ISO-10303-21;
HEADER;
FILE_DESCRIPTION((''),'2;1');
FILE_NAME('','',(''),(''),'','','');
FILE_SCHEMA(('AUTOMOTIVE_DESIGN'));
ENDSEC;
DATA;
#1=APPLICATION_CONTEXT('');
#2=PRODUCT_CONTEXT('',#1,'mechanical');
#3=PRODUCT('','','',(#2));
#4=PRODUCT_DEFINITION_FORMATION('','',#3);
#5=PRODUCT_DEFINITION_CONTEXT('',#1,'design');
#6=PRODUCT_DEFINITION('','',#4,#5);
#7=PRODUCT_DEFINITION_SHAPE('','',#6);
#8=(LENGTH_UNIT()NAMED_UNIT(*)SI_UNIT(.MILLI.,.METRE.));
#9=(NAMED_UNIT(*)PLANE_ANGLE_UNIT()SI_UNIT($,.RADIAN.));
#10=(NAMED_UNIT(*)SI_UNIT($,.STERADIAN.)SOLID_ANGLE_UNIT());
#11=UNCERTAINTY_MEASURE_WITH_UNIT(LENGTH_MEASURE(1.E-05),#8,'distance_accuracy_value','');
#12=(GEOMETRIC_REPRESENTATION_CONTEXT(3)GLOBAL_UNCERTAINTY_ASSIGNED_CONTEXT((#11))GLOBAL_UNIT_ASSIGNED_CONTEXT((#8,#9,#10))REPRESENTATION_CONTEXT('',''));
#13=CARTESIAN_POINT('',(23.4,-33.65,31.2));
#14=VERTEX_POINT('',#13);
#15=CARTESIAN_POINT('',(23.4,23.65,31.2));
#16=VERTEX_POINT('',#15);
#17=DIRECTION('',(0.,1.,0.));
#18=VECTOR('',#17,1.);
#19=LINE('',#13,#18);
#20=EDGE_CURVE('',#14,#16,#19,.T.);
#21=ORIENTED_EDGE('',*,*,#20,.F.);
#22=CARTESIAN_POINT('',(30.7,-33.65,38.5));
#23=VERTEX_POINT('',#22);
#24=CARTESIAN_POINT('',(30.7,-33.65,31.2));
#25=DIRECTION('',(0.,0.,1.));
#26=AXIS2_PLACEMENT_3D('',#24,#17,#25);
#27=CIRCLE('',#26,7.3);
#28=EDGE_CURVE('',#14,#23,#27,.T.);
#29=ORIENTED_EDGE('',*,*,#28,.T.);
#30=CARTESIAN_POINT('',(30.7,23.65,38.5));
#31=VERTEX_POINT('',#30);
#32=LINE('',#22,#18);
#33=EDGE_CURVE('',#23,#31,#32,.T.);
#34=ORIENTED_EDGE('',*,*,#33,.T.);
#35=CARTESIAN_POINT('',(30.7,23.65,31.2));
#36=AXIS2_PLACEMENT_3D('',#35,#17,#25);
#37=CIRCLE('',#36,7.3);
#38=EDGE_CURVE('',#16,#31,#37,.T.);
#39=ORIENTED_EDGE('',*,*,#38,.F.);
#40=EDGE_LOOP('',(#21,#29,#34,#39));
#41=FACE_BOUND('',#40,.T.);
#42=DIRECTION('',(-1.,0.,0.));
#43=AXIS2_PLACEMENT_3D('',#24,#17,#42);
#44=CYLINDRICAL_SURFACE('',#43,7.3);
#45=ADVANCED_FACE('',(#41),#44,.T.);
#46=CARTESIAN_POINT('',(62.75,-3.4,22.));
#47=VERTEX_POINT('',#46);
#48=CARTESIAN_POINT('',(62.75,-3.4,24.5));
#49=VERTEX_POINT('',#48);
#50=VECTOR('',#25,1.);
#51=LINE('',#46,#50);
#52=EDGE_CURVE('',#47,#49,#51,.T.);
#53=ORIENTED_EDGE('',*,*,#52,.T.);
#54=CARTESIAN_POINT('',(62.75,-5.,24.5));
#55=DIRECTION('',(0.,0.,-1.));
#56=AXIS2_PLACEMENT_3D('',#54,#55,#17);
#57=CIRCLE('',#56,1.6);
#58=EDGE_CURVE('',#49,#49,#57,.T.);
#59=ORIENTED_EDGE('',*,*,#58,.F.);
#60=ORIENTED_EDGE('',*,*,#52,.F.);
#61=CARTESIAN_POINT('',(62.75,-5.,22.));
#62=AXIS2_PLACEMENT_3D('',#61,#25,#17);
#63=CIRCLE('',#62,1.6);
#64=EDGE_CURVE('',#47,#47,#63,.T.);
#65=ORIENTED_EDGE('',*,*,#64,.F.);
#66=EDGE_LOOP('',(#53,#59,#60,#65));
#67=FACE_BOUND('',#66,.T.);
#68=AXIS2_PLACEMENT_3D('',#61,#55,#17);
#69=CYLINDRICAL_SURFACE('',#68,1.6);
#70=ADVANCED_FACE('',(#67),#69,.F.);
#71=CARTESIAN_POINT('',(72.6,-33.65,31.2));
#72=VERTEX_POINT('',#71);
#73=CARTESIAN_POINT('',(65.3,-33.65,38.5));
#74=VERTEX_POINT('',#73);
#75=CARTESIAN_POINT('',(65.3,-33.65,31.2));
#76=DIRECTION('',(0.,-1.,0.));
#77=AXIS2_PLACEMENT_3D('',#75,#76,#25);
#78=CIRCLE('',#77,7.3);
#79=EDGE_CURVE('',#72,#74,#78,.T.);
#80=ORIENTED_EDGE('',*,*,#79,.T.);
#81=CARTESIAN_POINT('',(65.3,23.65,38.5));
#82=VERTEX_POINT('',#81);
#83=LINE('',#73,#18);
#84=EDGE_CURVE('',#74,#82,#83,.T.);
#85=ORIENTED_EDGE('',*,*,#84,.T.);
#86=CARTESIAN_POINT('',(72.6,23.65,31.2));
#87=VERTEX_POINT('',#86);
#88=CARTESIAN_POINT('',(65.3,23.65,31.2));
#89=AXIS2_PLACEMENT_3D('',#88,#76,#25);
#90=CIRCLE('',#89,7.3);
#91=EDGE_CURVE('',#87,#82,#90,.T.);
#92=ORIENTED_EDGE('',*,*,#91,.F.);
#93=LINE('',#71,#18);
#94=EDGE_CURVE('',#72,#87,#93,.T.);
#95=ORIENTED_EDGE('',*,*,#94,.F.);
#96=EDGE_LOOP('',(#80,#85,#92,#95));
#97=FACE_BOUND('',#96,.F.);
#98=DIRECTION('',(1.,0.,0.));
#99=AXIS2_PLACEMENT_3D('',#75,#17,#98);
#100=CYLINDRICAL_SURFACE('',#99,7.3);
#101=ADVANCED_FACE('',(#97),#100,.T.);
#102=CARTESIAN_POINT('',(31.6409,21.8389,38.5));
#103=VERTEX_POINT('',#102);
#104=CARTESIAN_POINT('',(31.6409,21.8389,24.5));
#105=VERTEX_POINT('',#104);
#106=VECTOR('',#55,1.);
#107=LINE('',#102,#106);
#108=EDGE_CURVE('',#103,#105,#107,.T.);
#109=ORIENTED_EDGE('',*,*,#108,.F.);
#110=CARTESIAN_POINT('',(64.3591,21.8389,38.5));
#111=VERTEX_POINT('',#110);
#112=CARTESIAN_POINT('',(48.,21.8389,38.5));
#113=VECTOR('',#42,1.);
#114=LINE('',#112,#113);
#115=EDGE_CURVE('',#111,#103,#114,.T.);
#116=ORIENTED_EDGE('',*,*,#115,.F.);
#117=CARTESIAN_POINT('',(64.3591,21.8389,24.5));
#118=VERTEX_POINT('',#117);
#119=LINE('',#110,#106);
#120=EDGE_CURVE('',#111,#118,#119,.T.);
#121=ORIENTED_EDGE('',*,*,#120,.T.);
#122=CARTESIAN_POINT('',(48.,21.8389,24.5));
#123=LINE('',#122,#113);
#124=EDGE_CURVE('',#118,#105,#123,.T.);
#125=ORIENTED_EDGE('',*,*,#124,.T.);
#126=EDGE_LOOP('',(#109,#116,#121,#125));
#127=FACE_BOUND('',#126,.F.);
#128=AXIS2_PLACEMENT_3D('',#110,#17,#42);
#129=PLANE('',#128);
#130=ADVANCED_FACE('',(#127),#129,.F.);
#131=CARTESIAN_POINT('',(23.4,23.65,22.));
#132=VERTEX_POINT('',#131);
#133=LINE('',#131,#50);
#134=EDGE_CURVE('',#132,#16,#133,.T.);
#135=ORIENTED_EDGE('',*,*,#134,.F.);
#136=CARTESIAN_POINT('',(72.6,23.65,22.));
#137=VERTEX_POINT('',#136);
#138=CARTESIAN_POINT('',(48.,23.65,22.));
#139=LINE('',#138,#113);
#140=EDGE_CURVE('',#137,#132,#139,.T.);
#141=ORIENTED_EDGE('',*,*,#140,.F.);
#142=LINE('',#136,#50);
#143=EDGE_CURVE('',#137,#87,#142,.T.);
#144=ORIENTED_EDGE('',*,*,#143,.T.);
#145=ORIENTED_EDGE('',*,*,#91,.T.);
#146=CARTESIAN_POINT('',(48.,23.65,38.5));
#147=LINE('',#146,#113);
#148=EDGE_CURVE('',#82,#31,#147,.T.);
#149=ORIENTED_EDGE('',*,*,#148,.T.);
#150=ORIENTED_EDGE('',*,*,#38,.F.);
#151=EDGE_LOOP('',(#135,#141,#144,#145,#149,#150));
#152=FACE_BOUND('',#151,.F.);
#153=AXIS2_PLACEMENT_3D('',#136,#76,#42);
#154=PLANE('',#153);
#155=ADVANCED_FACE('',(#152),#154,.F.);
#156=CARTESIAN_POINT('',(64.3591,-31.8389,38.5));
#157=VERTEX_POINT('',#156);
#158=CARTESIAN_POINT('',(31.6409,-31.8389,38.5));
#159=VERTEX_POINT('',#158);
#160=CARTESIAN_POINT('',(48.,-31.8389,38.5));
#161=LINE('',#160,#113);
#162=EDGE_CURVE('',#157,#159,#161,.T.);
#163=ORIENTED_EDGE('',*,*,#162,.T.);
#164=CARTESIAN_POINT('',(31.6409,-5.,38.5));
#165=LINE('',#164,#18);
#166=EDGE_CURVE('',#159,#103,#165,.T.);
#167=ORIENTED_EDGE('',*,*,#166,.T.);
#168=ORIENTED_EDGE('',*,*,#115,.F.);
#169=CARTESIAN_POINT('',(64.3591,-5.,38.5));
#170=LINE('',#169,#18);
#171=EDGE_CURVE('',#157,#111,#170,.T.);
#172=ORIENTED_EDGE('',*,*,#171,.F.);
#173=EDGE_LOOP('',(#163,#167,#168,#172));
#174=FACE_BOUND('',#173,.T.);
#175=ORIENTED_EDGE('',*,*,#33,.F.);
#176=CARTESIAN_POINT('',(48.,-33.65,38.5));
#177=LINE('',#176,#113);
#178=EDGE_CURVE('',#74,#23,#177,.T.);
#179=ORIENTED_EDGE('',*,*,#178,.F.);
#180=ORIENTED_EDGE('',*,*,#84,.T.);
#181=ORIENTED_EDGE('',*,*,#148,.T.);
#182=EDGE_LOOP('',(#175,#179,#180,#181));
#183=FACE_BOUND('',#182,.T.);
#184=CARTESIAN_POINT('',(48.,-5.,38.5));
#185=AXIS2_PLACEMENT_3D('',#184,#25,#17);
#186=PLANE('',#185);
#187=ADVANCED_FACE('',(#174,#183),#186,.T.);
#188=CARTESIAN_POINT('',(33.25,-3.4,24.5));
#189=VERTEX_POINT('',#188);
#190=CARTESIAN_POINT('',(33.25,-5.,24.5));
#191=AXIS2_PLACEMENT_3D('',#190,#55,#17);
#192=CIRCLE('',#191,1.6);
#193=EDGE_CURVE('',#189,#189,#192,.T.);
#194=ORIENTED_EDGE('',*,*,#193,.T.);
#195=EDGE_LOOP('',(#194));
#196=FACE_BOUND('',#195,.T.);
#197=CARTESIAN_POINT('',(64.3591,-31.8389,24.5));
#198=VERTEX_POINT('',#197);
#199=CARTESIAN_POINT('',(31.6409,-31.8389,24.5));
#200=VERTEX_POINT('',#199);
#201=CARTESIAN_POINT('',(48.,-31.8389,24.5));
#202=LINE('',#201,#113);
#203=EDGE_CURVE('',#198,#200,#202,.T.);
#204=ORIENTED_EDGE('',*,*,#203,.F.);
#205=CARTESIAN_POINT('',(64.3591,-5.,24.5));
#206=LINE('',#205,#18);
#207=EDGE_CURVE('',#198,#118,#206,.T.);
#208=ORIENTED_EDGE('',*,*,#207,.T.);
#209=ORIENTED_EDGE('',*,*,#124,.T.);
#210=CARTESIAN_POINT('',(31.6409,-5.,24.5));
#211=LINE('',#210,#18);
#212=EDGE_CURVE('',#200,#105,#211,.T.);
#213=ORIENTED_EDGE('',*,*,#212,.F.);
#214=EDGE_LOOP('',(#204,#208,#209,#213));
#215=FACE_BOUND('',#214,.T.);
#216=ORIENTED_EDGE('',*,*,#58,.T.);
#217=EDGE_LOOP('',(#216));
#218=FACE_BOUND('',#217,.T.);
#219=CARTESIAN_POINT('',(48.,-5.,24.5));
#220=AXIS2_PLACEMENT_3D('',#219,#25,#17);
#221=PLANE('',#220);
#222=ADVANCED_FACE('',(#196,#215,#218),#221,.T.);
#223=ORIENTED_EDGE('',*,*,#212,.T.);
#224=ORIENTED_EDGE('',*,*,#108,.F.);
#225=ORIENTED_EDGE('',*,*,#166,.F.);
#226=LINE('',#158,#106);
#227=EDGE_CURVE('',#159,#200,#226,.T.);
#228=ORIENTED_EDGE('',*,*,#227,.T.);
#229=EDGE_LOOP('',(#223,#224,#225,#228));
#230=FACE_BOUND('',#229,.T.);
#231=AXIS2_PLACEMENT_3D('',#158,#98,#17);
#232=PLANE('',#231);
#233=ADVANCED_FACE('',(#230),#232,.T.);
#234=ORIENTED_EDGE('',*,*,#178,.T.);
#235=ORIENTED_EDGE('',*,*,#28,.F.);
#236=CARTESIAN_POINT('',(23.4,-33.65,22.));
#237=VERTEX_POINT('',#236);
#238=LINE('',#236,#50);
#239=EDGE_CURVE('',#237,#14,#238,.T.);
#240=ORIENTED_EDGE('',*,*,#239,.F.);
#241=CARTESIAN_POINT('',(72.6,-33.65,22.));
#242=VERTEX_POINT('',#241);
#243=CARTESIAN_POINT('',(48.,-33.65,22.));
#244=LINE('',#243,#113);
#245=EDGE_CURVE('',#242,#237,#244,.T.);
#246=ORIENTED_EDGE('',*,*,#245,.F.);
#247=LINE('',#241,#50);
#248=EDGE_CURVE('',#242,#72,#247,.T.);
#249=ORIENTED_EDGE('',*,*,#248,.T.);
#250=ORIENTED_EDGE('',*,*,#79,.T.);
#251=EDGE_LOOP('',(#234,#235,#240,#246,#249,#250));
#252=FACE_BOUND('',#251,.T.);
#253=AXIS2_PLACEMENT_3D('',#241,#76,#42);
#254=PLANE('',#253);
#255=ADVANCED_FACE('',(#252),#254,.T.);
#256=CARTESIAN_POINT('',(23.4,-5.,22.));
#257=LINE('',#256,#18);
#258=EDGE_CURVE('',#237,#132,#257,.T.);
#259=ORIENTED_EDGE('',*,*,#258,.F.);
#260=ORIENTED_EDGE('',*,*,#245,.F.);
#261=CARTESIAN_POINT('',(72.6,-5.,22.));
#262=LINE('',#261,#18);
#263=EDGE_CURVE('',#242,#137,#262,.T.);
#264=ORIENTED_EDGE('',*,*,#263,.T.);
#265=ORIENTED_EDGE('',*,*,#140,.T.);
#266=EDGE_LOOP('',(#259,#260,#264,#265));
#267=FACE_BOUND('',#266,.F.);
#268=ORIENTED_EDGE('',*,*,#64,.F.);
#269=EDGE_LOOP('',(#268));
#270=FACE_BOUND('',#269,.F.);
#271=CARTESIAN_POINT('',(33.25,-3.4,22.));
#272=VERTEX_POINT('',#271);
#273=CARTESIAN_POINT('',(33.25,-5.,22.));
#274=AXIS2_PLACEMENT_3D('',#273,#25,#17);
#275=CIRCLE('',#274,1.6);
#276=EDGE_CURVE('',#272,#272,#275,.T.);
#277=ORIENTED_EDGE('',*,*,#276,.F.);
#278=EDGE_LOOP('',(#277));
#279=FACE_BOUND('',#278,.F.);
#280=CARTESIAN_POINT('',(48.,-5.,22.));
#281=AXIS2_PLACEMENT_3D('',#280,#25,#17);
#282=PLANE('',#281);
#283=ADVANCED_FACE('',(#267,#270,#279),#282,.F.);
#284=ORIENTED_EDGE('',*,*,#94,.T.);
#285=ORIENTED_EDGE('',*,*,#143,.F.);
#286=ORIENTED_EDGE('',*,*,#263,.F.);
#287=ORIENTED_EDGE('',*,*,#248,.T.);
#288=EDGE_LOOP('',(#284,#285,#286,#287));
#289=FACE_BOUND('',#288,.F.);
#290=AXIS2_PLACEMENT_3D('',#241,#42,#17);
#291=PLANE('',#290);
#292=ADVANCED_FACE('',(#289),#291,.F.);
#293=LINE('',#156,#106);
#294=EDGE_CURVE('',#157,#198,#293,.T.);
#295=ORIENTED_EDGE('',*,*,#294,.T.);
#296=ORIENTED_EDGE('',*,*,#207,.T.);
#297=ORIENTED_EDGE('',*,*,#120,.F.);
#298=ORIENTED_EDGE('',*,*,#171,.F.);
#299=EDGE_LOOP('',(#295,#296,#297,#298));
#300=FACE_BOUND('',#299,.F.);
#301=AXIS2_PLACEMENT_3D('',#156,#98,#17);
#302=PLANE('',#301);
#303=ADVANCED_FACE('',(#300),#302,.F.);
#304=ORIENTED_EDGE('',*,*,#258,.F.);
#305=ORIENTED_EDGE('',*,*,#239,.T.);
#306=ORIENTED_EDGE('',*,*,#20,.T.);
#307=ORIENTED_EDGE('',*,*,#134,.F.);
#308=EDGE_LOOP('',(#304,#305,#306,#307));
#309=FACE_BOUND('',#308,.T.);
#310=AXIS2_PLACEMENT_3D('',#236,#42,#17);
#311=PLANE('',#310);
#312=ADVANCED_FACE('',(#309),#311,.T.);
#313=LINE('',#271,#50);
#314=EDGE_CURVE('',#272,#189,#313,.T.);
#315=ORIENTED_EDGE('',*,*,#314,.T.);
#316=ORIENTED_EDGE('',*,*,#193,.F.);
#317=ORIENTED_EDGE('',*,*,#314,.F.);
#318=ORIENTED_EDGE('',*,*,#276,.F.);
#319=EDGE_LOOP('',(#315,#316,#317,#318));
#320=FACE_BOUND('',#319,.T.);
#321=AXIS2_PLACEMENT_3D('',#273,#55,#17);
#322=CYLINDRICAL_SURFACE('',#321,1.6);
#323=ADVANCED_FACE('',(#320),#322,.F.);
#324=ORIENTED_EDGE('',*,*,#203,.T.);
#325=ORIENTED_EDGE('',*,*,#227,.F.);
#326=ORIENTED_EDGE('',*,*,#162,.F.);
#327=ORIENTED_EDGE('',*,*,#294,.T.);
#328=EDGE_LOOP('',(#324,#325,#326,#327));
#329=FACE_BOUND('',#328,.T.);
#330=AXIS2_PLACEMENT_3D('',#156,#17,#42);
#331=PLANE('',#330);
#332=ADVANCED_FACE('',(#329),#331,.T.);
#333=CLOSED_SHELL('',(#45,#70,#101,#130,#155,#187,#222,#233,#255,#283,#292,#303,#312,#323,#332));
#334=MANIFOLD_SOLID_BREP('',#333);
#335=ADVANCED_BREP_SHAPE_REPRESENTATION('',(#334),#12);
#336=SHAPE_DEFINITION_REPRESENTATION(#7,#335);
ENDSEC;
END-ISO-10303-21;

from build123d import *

# Parameters (mm, degrees)
SKETCH026_W           = 57.3
SKETCH026_H           = 49.2
SKETCH026_R           = 1.6
PAD010002001016_DEPTH = 16.5
FILLET004_R           = 7.3
SKETCH028_W           = 53.6778
SKETCH028_H           = 32.7182
POCKET001_DEPTH       = 14


with BuildPart() as part:
    # Sketch026 → Pad010002001016 (new body)
    with BuildSketch(Plane(origin=(48, -5, 22), x_dir=(0, 1, 0), z_dir=(0, 0, 1))):
        Rectangle(SKETCH026_W, SKETCH026_H)
        with Locations((0, 14.75)):
            Circle(SKETCH026_R, mode=Mode.SUBTRACT)
        with Locations((0, -14.75)):
            Circle(SKETCH026_R, mode=Mode.SUBTRACT)
    extrude(amount=PAD010002001016_DEPTH)

    # Fillet004
    fillet004_edges = [part.edges().sort_by_distance(p)[0] for p in [
        (72.6, -5, 38.5),
        (23.4, -5, 38.5),
    ]]
    fillet(fillet004_edges, radius=FILLET004_R)

    # Sketch028 → Pocket001 (cut)
    with BuildSketch(Plane(origin=(48, -5, 38.5), x_dir=(0, 1, 0), z_dir=(0, 0, 1))):
        Rectangle(SKETCH028_W, SKETCH028_H)
    extrude(amount=-POCKET001_DEPTH, mode=Mode.SUBTRACT)


solid = part.part
